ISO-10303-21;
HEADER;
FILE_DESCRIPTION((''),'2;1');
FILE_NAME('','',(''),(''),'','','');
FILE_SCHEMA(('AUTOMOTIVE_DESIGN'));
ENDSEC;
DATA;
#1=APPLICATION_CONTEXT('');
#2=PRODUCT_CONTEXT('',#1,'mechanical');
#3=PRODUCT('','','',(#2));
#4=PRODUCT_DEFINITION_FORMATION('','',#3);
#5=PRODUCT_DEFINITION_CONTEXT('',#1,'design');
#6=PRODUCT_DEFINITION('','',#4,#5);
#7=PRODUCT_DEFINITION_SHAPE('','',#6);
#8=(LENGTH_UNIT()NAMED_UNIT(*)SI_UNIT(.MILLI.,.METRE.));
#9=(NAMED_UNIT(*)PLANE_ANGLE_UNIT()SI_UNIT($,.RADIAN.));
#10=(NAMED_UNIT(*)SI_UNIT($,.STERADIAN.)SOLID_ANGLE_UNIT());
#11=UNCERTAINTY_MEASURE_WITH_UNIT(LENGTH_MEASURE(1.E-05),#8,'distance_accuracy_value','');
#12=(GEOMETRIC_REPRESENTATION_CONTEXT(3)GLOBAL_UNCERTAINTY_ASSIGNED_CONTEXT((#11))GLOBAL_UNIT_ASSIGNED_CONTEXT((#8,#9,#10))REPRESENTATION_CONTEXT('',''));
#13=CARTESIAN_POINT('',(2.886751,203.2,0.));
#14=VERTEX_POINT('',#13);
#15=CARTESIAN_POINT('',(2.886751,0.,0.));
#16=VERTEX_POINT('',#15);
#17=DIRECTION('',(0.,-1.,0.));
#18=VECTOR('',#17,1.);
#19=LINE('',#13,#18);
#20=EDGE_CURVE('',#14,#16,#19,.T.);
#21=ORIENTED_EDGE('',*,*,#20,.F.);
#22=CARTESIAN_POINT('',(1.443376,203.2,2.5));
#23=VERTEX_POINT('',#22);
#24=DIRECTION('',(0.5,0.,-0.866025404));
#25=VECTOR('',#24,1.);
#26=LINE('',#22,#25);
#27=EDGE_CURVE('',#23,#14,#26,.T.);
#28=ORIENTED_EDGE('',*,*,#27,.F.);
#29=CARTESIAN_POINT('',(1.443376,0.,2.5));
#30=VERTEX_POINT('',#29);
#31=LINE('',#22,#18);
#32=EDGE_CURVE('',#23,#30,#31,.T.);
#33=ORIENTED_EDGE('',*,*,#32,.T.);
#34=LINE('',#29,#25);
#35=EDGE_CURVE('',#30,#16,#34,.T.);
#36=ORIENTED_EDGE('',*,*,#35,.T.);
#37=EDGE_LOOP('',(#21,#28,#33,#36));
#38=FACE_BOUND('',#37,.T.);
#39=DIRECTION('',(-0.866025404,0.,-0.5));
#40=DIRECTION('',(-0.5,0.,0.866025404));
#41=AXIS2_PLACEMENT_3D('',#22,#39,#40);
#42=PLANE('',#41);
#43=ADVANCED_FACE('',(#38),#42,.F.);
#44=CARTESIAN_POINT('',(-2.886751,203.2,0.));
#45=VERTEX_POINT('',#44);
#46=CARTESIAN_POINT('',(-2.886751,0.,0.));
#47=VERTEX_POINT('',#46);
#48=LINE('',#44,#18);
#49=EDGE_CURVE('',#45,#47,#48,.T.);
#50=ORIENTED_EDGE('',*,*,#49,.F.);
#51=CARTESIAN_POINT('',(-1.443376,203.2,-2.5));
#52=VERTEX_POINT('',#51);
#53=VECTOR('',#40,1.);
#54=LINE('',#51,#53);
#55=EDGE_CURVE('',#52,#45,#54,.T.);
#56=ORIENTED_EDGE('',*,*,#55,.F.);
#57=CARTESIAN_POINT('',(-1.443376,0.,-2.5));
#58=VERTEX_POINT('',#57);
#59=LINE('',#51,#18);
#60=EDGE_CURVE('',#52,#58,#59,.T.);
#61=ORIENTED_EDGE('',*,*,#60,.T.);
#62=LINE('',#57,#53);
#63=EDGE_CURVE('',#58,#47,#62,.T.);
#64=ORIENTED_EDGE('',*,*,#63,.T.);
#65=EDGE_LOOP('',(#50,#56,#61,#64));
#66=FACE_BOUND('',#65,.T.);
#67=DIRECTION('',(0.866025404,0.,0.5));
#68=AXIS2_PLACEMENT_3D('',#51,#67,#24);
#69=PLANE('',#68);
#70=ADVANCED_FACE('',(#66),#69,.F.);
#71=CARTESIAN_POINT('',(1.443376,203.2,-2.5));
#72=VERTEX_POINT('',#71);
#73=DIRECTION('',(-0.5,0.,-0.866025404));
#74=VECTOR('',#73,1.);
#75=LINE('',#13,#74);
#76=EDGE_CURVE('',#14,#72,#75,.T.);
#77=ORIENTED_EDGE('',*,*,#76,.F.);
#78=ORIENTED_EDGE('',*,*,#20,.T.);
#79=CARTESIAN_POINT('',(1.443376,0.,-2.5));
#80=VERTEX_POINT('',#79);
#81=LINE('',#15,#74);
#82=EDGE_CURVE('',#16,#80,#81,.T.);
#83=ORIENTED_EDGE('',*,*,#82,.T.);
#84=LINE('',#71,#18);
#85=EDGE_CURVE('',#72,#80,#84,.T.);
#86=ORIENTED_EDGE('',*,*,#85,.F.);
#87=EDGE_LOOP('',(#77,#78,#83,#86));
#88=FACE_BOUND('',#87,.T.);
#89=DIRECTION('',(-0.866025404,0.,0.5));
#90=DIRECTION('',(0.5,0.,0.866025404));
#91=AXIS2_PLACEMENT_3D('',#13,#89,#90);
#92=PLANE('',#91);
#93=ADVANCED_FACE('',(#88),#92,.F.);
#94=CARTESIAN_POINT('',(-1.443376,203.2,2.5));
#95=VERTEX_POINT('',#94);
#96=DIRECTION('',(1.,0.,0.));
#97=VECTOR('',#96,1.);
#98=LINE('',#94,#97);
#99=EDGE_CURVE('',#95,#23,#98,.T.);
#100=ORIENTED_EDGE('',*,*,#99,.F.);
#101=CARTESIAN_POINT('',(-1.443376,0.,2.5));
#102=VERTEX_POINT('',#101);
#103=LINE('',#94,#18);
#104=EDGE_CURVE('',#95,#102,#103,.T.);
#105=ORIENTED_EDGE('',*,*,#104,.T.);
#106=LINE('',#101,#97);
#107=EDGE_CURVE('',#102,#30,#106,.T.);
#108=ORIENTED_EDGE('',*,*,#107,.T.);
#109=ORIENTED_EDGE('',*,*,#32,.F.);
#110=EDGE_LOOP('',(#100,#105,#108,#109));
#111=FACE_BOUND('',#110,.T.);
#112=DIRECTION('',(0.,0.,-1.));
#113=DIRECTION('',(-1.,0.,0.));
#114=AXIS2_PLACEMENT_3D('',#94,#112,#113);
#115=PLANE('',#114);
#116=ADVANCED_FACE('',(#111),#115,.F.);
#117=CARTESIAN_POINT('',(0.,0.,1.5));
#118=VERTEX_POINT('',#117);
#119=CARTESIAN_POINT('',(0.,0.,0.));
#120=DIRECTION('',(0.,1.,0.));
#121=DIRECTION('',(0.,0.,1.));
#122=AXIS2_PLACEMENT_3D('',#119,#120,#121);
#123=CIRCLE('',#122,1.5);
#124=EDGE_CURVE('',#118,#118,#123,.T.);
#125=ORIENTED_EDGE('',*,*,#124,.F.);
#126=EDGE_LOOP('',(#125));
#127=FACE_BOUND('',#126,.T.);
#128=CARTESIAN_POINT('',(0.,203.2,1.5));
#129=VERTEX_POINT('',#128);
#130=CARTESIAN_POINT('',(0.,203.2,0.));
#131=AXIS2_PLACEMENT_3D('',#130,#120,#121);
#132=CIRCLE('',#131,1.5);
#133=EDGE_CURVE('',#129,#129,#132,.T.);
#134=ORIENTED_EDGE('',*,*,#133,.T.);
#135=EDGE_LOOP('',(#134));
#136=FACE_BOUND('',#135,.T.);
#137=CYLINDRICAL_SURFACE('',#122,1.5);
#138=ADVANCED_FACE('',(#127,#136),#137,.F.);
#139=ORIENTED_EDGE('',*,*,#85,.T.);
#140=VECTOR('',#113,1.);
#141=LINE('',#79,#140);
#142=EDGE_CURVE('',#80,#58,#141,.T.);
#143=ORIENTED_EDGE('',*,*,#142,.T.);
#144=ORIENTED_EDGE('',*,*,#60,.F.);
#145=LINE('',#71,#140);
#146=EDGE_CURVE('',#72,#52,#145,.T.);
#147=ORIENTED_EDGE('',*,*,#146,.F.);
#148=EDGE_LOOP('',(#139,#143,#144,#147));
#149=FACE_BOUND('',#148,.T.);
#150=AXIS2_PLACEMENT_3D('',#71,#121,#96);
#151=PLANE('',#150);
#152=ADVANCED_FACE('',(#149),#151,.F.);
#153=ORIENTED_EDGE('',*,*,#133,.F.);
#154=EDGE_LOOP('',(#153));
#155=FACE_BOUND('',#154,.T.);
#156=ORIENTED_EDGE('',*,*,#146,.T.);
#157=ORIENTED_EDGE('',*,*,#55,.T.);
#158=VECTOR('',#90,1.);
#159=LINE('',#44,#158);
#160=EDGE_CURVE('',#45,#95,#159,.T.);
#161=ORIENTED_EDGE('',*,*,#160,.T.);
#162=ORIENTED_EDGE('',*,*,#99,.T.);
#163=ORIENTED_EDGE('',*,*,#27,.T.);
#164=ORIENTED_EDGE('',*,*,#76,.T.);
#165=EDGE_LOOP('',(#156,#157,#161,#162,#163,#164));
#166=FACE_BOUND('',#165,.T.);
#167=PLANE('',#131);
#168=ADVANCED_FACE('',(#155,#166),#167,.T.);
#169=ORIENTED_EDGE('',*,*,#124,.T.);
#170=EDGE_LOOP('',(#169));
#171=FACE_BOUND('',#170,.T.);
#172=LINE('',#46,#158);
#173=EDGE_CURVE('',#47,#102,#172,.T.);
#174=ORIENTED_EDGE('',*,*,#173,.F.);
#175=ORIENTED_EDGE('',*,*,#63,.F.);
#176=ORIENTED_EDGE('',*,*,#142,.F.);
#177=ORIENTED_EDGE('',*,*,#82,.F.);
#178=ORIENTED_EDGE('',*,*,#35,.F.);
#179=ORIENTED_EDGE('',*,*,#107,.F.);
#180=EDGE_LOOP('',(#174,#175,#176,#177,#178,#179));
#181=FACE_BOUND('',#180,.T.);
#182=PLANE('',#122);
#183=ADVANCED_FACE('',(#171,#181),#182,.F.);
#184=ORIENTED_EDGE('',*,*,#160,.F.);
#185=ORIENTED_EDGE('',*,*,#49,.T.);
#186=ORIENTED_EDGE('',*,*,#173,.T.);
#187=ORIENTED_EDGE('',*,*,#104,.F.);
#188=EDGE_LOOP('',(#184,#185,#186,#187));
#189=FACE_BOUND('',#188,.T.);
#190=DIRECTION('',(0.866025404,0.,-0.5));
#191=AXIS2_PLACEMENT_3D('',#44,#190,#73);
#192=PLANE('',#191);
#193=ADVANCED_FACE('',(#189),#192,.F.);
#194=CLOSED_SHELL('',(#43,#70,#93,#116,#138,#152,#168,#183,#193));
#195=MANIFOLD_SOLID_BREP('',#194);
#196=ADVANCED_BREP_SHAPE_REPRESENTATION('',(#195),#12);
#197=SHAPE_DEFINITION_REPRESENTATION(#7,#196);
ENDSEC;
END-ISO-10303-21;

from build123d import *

# Parameters (mm, degrees)
BOSS_EXTRUDE1_DEPTH = 203.2
SKETCH2_R           = 1.5
CUT_EXTRUDE1_DEPTH  = 204.235881018


with BuildPart() as part:
    # Sketch1 → Boss-Extrude1 (new body)
    with BuildSketch(Plane(origin=(0, 0, 0), x_dir=(1, 0, 0), z_dir=(0, 1, 0))):
        Polygon((2.886751346, 0), (1.443375673, 2.5), (-1.443375673, 2.5), (-2.886751346, 0), (-1.443375673, -2.5), (1.443375673, -2.5), align=None)
    extrude(amount=BOSS_EXTRUDE1_DEPTH)

    # Sketch2 → Cut-Extrude1 (cut, through all)
    with BuildSketch(Plane(origin=(0, 203.2, 0), x_dir=(1, 0, 0), z_dir=(0, 1, 0))):
        with Locations(Location((0, 0, 0), (0, 0, 270))):
            Circle(SKETCH2_R)
    extrude(amount=-CUT_EXTRUDE1_DEPTH, mode=Mode.SUBTRACT)


solid = part.part
